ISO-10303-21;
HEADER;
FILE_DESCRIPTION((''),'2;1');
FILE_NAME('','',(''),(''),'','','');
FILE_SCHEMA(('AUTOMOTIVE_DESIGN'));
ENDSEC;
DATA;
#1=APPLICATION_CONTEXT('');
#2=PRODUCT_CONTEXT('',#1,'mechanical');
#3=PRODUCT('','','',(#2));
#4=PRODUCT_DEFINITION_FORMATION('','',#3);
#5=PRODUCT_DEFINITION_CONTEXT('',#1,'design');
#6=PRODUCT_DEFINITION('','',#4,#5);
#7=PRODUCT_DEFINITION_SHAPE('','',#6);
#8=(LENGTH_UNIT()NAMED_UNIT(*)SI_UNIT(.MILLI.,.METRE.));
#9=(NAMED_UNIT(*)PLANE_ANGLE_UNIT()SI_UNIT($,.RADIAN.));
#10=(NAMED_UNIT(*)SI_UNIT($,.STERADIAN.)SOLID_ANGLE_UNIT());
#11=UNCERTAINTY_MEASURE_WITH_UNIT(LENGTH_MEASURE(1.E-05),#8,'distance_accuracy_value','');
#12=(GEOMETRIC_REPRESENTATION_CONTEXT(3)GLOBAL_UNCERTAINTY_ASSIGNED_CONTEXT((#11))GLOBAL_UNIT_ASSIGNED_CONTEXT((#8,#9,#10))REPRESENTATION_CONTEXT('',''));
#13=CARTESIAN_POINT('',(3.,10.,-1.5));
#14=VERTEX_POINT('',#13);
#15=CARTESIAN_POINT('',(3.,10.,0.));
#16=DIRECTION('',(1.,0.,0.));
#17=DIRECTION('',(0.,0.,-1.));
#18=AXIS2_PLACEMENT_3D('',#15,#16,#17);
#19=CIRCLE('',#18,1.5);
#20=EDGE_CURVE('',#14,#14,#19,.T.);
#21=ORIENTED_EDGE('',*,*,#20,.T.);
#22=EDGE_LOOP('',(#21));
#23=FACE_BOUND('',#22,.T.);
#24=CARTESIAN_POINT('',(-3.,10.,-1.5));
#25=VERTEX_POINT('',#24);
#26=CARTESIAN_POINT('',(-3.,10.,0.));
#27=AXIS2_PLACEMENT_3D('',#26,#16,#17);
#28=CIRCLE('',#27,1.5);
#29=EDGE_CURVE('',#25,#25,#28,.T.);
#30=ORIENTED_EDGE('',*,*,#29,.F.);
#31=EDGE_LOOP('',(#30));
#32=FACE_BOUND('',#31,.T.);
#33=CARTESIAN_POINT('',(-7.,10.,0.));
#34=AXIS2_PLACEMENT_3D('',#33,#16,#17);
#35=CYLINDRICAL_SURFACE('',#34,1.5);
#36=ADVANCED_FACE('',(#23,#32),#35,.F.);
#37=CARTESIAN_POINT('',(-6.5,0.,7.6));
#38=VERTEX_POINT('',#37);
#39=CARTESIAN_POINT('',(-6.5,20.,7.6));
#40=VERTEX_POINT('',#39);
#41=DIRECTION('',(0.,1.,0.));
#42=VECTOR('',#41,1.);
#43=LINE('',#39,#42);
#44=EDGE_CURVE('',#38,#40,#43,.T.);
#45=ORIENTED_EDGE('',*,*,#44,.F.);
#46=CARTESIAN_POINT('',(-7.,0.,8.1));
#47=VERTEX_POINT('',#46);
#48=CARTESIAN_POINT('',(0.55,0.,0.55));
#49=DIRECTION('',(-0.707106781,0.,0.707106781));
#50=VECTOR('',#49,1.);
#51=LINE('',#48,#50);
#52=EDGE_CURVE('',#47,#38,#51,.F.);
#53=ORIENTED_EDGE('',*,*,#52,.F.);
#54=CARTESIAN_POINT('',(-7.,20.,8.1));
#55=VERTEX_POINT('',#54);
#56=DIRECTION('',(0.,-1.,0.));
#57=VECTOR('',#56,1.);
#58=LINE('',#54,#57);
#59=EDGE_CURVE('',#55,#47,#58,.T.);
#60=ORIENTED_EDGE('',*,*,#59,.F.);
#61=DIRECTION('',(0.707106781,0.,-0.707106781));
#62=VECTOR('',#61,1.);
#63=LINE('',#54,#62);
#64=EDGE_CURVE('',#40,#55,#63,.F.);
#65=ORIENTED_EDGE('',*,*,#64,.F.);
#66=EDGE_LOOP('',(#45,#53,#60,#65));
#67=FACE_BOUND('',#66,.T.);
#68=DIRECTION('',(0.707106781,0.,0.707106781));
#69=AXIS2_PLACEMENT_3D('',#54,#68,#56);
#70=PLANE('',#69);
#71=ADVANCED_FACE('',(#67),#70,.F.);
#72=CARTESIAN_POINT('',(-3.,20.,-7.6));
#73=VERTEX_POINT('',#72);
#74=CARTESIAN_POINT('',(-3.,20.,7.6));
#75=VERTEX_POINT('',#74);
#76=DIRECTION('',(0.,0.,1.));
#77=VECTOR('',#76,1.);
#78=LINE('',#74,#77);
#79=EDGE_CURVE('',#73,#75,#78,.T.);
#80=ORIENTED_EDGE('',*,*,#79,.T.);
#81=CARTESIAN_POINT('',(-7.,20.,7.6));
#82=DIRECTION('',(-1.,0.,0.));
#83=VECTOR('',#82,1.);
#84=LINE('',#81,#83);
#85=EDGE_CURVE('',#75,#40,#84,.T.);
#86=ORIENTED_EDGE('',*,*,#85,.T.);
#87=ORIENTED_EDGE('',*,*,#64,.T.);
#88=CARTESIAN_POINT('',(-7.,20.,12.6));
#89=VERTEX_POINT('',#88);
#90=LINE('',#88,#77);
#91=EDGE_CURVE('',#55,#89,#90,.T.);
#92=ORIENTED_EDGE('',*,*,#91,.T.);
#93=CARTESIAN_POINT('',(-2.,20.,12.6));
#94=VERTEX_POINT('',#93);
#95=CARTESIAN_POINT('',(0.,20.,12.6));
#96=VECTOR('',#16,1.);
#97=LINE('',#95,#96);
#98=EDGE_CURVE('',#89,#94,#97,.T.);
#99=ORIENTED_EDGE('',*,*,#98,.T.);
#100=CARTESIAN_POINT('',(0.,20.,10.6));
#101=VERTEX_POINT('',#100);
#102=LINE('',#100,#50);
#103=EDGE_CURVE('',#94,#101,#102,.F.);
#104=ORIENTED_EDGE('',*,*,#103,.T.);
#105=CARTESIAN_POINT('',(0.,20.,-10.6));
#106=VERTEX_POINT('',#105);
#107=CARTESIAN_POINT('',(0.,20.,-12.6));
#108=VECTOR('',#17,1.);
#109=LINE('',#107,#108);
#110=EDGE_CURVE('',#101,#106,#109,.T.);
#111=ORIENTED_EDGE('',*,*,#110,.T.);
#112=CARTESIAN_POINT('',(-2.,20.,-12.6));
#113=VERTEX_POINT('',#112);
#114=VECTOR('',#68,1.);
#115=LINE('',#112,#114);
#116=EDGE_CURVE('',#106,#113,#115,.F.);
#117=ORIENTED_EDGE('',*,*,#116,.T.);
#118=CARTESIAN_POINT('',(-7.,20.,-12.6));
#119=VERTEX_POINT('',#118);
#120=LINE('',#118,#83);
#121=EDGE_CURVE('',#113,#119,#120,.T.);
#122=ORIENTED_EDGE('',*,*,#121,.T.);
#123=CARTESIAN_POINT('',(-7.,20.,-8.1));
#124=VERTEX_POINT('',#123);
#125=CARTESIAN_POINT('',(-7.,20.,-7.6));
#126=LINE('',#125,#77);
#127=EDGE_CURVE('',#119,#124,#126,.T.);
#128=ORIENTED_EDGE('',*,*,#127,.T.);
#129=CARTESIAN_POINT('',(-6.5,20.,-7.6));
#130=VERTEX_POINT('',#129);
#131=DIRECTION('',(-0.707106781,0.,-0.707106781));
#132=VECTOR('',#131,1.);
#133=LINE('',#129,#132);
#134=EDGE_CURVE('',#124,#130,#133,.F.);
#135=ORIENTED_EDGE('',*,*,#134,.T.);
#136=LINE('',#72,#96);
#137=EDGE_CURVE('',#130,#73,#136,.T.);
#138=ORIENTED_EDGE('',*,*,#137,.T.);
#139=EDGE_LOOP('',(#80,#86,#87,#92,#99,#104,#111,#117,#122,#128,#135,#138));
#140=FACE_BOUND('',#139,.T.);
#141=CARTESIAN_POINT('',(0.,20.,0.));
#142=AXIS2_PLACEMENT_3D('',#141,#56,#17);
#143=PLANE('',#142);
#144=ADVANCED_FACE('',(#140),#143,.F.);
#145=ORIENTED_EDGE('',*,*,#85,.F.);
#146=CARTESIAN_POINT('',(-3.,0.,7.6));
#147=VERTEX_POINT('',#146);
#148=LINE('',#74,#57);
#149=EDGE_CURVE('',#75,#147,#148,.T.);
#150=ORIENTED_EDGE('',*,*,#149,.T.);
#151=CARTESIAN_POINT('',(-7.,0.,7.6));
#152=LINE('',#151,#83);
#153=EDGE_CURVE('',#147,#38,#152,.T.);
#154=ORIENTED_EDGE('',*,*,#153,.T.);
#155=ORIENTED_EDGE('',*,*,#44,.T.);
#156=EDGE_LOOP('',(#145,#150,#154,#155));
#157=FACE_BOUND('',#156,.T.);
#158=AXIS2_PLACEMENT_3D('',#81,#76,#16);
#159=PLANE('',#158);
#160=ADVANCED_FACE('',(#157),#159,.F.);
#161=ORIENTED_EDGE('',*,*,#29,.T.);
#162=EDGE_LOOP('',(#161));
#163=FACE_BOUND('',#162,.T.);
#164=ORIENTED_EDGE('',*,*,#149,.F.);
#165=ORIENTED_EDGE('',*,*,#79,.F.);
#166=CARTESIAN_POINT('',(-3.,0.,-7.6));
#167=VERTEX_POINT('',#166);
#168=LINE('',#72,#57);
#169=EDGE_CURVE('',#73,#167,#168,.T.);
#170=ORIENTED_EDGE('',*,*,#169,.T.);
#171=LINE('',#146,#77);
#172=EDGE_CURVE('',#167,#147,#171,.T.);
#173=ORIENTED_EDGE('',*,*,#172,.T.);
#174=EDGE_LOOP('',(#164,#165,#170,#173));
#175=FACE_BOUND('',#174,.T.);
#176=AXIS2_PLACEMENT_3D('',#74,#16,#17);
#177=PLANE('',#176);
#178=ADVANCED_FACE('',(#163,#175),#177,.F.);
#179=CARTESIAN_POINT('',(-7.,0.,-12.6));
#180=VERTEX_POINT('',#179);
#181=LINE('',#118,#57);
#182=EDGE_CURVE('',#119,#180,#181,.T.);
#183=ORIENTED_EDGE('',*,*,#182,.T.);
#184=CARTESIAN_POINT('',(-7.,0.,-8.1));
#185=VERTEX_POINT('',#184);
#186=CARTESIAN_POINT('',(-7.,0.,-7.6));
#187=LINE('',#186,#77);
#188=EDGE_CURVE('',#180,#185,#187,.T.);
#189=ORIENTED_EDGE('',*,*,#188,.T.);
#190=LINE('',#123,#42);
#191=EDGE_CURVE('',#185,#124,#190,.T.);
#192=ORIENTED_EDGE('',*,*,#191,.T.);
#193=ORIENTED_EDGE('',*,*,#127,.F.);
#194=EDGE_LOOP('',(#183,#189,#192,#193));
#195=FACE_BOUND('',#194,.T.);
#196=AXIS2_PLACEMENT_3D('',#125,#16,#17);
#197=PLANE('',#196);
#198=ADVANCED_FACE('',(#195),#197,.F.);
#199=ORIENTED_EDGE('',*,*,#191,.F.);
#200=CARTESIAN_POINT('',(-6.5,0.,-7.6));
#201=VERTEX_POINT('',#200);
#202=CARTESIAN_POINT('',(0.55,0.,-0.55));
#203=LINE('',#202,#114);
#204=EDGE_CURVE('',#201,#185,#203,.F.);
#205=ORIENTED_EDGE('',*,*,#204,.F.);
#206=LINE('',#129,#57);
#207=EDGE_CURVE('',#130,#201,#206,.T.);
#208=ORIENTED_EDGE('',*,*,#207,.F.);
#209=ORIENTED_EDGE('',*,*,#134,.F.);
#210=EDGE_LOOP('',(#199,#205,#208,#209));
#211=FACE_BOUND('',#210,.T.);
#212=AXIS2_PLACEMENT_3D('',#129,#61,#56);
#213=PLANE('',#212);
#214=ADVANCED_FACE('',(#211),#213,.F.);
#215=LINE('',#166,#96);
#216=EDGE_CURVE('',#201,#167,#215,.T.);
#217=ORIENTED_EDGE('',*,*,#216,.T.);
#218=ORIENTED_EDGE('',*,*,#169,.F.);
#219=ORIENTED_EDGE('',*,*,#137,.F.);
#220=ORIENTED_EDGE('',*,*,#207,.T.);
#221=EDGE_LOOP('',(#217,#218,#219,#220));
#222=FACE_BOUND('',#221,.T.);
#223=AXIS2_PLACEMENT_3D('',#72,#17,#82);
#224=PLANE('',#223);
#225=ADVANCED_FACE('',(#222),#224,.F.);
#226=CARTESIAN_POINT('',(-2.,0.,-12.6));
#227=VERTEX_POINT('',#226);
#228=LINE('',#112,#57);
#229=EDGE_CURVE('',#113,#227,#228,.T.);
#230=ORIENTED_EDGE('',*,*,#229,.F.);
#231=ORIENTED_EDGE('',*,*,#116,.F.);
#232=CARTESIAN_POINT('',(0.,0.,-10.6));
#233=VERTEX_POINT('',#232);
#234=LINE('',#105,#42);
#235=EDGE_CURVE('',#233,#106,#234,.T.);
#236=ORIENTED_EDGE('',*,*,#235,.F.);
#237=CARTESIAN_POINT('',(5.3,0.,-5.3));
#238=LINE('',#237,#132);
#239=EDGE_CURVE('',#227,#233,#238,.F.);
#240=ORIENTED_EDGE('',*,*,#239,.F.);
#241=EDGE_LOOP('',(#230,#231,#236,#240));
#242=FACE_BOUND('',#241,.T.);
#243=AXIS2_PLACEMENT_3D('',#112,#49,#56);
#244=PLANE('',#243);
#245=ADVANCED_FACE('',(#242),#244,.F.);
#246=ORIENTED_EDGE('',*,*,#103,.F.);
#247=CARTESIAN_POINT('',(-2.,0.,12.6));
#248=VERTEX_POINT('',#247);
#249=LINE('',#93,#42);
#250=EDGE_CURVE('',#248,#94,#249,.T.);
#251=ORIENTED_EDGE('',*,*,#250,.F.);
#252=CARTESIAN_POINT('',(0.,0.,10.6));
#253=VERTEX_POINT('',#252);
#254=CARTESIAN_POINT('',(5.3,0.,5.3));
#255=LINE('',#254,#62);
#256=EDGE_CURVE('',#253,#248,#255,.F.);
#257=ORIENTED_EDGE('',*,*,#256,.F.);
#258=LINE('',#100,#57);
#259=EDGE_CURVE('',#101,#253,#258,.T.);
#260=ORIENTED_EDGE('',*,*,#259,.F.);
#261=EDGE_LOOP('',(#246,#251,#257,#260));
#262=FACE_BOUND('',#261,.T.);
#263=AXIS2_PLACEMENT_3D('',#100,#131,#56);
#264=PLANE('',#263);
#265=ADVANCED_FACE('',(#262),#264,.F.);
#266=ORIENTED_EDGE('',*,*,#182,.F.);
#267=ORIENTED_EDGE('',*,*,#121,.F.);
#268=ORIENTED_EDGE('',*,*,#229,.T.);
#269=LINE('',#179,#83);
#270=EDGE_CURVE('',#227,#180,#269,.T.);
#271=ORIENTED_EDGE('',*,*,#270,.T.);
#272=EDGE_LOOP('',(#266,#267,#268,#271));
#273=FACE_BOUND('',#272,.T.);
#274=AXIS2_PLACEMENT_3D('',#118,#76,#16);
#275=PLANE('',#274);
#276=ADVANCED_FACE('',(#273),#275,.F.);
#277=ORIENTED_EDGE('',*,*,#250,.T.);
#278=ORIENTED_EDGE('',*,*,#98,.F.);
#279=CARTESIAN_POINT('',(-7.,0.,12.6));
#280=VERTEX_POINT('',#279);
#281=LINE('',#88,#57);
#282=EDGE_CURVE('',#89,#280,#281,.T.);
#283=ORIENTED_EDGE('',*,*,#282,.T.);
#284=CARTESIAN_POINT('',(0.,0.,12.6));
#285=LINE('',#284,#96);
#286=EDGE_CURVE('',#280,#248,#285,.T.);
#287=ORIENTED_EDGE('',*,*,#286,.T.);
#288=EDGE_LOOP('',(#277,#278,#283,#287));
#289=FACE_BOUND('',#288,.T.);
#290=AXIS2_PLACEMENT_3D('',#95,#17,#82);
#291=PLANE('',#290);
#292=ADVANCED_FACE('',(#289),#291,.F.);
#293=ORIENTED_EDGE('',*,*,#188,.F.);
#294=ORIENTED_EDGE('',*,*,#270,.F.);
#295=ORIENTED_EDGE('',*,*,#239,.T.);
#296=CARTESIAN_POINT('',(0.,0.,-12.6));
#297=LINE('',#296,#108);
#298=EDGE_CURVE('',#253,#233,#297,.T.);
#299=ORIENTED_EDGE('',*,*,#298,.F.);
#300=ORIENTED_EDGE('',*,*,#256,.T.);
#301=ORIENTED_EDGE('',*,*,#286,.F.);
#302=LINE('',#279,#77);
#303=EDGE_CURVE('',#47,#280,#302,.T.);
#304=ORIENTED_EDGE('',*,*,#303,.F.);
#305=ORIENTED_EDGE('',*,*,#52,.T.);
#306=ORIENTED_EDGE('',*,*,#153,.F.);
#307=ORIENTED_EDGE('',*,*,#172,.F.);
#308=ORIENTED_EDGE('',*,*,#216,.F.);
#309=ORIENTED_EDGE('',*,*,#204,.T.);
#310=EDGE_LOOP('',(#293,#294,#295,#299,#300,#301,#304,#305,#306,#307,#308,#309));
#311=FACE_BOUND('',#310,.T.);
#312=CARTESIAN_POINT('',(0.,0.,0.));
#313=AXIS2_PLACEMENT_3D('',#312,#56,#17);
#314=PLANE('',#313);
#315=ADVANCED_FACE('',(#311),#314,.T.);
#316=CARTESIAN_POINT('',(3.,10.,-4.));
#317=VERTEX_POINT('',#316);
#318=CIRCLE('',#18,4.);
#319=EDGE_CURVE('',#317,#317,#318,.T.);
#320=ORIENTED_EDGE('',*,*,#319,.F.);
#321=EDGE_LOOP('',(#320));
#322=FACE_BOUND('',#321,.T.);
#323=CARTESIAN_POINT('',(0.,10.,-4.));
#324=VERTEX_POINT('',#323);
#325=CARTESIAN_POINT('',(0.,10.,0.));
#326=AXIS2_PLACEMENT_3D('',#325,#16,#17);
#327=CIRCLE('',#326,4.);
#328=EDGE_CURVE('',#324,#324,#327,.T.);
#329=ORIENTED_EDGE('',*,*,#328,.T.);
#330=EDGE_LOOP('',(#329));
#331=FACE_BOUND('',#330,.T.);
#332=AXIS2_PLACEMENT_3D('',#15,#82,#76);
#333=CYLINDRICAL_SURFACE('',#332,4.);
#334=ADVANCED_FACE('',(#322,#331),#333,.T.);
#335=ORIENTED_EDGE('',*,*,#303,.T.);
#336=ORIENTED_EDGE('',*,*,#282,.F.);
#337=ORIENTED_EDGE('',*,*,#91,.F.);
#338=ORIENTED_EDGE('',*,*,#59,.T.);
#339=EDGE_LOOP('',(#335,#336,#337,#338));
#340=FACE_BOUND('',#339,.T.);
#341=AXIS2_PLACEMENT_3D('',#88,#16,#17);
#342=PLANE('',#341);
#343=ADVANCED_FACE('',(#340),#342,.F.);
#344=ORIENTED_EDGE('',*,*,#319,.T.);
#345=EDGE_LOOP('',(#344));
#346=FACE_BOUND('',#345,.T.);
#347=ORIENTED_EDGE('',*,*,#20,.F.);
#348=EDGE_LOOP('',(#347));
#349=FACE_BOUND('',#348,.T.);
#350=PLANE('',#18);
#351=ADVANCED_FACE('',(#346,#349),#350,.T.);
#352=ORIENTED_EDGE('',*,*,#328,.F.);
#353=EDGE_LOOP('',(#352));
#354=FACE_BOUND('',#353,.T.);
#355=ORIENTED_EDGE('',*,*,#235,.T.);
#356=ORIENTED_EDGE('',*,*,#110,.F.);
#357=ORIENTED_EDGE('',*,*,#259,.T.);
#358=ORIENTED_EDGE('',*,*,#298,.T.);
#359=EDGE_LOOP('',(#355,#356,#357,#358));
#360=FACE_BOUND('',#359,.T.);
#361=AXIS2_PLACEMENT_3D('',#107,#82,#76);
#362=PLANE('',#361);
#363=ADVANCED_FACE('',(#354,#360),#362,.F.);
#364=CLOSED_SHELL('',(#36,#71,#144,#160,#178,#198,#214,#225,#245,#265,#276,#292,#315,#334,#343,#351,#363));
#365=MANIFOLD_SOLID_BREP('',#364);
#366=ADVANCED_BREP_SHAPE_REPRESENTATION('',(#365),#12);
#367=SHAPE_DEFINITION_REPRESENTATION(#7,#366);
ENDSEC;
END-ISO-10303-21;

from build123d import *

# Parameters (mm, degrees)
EXTRUDE_1_DEPTH     = 20
CHAMFER_1_SIZE      = 2
CHAMFER_3_SIZE      = 0.5
SKETCH_2_R          = 4
EXTRUDE_2_DEPTH     = 3
SKETCH_3_R          = 1.5
CUT_EXTRUDE_1_DEPTH = 10


with BuildPart() as part:
    # 草图1 → 凸台-拉伸1 (new body)
    with BuildSketch(Plane(origin=(0, 0, 0), x_dir=(1, 0, 0), z_dir=(0, 1, 0))):
        Polygon((-7, 12.6), (0, 12.6), (0, -12.6), (-7, -12.6), (-7, -7.6), (-3, -7.6), (-3, 7.6), (-7, 7.6), align=None)
    extrude(amount=EXTRUDE_1_DEPTH)

    # 倒角1
    chamfer_1_edges = [part.edges().sort_by_distance(p)[0] for p in [
        (0, 10, -12.6),
        (0, 10, 12.6),
    ]]
    chamfer(chamfer_1_edges, length=CHAMFER_1_SIZE)

    # 倒角3
    chamfer_3_edges = [part.edges().sort_by_distance(p)[0] for p in [
        (-7, 10, 7.6),
        (-7, 10, -7.6),
    ]]
    chamfer(chamfer_3_edges, length=CHAMFER_3_SIZE)

    # 草图2 → 凸台-拉伸2 (add)
    with BuildSketch(Plane(origin=(0, 0, 0), x_dir=(0, 0, -1), z_dir=(1, 0, 0))):
        with Locations((0, 10)):
            Circle(SKETCH_2_R)
    extrude(amount=EXTRUDE_2_DEPTH)

    # 草图3 → 切除-拉伸1 (cut)
    with BuildSketch(Plane(origin=(3, 0, 0), x_dir=(0, 0, -1), z_dir=(1, 0, 0))):
        with Locations((0, 10)):
            Circle(SKETCH_3_R)
    extrude(amount=-CUT_EXTRUDE_1_DEPTH, mode=Mode.SUBTRACT)


solid = part.part
